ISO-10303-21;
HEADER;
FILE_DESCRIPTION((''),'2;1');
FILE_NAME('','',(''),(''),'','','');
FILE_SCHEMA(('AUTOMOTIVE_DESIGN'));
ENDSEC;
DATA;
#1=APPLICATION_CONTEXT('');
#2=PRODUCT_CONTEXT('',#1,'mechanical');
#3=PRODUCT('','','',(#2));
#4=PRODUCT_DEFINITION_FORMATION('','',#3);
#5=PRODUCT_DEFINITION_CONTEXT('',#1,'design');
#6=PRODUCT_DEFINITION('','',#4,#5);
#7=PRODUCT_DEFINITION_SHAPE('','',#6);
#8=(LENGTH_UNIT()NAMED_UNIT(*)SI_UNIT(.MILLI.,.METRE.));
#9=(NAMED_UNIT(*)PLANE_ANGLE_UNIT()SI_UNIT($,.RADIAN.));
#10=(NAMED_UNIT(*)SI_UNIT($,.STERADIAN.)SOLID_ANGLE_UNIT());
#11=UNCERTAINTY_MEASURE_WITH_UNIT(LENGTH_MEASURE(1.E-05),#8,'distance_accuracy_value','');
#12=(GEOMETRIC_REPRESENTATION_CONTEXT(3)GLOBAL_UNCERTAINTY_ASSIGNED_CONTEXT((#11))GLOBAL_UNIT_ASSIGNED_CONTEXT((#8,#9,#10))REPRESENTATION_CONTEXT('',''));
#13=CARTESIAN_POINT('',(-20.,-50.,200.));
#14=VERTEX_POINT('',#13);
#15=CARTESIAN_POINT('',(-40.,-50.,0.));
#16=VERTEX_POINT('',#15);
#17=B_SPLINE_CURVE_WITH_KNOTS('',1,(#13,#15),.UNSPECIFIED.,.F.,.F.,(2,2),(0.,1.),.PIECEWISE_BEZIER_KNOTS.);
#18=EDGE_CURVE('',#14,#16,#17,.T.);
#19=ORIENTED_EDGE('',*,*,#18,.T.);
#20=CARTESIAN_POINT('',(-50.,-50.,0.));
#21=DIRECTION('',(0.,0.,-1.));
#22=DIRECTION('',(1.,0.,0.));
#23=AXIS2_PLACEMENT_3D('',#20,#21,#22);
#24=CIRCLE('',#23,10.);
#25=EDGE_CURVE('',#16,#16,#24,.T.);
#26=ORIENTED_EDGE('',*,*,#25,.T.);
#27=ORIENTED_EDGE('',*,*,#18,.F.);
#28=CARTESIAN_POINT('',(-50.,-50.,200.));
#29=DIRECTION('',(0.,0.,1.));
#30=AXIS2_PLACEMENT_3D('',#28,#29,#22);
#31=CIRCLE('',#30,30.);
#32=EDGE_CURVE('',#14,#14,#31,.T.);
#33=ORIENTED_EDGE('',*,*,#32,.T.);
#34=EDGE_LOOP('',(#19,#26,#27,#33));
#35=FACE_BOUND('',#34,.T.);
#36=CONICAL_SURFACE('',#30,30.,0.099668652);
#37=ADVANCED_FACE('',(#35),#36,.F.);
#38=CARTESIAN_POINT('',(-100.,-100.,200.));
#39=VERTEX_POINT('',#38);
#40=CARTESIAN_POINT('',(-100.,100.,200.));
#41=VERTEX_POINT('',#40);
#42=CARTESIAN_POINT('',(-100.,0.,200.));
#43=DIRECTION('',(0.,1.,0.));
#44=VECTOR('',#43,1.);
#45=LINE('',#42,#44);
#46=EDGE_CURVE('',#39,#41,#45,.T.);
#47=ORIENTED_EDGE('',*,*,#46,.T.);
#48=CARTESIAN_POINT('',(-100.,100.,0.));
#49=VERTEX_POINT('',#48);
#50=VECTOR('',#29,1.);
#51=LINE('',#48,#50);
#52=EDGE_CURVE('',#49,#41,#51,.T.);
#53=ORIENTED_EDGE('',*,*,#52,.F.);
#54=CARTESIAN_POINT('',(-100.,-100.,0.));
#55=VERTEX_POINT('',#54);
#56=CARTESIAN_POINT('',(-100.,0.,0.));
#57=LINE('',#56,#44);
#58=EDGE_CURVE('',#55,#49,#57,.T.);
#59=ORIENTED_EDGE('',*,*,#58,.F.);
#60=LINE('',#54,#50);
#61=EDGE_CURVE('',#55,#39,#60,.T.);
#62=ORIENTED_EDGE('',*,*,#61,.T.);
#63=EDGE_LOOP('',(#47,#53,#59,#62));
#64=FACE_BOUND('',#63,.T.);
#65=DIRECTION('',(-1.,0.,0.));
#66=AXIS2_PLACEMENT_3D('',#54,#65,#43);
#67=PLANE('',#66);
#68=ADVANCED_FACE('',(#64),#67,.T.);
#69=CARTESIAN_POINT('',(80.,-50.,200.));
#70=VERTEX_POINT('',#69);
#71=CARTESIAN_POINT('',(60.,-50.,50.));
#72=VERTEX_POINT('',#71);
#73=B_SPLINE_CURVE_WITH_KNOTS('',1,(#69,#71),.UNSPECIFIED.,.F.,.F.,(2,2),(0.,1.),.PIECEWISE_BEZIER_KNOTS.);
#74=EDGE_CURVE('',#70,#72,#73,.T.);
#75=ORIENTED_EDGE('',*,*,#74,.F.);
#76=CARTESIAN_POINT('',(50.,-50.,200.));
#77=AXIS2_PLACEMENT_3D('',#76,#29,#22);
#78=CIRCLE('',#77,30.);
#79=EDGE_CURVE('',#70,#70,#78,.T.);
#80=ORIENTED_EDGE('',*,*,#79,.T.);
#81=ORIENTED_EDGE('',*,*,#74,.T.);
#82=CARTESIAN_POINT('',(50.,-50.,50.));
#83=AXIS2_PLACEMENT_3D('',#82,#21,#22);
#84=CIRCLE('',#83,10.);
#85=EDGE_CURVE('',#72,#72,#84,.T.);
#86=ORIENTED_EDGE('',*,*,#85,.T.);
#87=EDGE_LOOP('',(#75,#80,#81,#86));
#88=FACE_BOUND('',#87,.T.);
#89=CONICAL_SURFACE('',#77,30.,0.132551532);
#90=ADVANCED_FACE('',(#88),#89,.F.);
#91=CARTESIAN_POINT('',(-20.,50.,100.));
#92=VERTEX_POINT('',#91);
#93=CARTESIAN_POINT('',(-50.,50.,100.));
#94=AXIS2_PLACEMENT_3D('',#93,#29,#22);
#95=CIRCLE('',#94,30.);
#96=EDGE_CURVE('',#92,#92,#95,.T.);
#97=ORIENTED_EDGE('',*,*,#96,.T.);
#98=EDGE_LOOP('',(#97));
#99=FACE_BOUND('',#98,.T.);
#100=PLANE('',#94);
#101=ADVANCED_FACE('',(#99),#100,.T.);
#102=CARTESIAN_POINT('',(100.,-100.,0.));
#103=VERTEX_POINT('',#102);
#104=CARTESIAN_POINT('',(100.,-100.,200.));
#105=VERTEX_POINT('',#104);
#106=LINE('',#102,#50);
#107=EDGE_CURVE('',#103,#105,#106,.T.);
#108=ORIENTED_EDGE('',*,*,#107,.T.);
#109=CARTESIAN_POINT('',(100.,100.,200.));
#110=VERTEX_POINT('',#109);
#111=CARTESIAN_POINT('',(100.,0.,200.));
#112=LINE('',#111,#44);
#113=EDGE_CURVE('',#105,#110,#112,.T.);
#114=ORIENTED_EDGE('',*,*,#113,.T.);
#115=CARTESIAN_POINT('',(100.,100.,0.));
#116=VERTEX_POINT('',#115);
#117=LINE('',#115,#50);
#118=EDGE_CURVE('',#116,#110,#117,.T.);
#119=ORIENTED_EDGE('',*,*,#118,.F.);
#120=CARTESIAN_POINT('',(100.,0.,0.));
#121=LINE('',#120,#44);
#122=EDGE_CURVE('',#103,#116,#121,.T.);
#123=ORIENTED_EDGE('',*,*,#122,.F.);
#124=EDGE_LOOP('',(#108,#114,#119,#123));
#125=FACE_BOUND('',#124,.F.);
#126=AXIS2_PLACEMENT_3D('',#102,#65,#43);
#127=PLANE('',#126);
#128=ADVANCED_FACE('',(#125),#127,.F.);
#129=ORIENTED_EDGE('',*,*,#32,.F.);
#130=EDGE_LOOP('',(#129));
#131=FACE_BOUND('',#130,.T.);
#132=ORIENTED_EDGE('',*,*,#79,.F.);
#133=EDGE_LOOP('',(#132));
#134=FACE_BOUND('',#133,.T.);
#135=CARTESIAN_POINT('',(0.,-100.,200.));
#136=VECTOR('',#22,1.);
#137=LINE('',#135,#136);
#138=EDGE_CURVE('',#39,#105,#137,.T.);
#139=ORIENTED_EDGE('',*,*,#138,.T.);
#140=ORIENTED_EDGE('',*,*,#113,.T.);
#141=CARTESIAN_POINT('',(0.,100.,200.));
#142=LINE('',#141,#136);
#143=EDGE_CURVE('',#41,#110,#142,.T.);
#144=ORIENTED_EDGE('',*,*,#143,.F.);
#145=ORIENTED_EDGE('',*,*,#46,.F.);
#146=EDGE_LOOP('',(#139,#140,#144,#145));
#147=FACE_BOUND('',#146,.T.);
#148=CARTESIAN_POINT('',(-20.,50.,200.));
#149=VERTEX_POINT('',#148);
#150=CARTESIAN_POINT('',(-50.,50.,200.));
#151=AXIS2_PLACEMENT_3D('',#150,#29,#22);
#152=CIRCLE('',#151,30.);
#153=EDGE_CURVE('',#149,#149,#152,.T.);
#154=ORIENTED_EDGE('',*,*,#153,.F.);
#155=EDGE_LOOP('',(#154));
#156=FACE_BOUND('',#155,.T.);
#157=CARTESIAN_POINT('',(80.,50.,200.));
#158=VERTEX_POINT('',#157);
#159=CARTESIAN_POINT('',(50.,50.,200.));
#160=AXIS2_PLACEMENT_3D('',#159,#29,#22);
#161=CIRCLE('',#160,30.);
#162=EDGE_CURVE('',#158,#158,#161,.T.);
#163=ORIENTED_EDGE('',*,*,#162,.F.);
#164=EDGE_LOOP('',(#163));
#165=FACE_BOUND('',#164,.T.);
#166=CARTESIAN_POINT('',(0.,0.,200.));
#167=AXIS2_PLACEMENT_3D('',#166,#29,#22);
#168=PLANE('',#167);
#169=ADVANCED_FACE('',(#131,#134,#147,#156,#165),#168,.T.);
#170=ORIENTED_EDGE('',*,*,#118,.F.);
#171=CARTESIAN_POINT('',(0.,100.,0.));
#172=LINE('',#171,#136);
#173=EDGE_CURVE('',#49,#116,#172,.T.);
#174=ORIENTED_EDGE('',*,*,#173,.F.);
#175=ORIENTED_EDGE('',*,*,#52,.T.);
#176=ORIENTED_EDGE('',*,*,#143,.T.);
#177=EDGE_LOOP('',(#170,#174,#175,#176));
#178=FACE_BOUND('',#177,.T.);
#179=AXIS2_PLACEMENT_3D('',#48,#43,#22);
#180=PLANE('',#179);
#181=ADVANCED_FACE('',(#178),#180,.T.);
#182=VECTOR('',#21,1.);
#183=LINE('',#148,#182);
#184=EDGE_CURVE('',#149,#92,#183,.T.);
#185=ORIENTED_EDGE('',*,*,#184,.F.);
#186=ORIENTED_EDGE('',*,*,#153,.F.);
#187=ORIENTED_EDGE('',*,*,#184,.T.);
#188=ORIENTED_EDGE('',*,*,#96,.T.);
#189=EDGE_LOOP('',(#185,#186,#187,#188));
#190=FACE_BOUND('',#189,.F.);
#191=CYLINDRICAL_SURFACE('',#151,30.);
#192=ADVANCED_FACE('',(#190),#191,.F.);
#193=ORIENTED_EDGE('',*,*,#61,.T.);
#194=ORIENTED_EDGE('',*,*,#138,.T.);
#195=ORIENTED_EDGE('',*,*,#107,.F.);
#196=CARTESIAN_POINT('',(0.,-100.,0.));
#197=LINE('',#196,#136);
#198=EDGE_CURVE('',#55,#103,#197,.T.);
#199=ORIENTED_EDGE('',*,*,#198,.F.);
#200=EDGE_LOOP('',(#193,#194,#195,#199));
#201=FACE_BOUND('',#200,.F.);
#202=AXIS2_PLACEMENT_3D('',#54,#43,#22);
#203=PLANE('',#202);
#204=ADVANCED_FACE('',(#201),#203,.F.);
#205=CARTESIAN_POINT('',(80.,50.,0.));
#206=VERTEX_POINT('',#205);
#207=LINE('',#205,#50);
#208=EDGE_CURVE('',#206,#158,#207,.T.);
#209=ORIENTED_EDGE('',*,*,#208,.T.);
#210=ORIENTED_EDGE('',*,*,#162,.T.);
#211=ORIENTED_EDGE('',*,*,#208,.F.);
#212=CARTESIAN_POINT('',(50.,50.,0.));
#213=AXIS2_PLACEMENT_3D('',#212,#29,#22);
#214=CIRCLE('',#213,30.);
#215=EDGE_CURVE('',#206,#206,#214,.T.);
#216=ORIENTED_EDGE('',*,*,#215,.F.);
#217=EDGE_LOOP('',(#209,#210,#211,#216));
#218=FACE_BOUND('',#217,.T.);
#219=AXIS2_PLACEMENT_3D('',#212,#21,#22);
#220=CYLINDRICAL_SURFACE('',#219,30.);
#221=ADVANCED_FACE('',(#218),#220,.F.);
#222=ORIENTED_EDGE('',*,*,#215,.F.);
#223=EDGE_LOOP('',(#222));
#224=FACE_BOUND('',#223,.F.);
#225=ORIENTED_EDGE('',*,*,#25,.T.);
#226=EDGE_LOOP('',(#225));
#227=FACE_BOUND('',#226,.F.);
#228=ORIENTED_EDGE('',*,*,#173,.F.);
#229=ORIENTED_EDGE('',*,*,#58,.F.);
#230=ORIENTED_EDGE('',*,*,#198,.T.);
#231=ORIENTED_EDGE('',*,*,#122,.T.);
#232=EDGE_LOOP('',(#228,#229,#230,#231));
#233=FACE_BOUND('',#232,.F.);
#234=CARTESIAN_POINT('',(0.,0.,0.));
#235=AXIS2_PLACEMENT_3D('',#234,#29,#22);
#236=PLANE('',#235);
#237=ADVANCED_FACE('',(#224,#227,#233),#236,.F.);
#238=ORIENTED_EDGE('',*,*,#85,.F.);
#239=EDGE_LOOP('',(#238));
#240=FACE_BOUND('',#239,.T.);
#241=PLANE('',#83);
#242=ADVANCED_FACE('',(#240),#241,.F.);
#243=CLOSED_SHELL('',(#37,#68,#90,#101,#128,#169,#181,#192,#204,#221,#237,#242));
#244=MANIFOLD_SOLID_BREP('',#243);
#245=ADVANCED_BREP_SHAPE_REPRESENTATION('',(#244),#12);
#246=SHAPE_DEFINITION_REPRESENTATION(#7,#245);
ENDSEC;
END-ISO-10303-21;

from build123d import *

# Parameters (mm, degrees)
SKETCH_W     = 200
SKETCH_H     = 200
SKETCH_R     = 30
PAD_DEPTH    = 200
SKETCH001_R  = 30
POCKET_DEPTH = 100
SKETCH002_R  = 30
SKETCH003_R  = 10
SKETCH004_R  = 30
SKETCH005_R  = 10


with BuildPart() as part:
    # Sketch → Pad (new body)
    with BuildSketch(Plane.XY):
        Rectangle(SKETCH_W, SKETCH_H)
        with Locations((50, 50)):
            Circle(SKETCH_R, mode=Mode.SUBTRACT)
    extrude(amount=PAD_DEPTH)

    # Sketch001 (on Face7 of Pad) → Pocket (cut)
    with BuildSketch(Plane.XY.offset(200)):
        with Locations((-50, 50)):
            Circle(SKETCH001_R)
    extrude(amount=-POCKET_DEPTH, mode=Mode.SUBTRACT)

    # Sketch002 (on Face5 of Pocket) → SubtractiveLoft section 0
    with BuildSketch(Plane.XY.offset(200)):
        with Locations((-50, -50)):
            Circle(SKETCH002_R)
    # Sketch003 (on Face4 of Pocket) → SubtractiveLoft section 1
    with BuildSketch(Plane(origin=(0, 0, 0), x_dir=(1, 0, 0), z_dir=(0, 0, -1))):
        with Locations((-50, 50)):
            Circle(SKETCH003_R)
    loft(mode=Mode.SUBTRACT)

    # Sketch004 (on Face5 of SubtractiveLoft) → SubtractiveLoft001 section 0
    with BuildSketch(Plane.XY.offset(200)):
        with Locations((50, -50)):
            Circle(SKETCH004_R)
    # Sketch005 (on Face4 of SubtractiveLoft) → SubtractiveLoft001 section 1
    with BuildSketch(Plane(origin=(0, 0, 50), x_dir=(1, 0, 0), z_dir=(0, 0, -1))):
        with Locations((50, 50)):
            Circle(SKETCH005_R)
    loft(mode=Mode.SUBTRACT)


solid = part.part
